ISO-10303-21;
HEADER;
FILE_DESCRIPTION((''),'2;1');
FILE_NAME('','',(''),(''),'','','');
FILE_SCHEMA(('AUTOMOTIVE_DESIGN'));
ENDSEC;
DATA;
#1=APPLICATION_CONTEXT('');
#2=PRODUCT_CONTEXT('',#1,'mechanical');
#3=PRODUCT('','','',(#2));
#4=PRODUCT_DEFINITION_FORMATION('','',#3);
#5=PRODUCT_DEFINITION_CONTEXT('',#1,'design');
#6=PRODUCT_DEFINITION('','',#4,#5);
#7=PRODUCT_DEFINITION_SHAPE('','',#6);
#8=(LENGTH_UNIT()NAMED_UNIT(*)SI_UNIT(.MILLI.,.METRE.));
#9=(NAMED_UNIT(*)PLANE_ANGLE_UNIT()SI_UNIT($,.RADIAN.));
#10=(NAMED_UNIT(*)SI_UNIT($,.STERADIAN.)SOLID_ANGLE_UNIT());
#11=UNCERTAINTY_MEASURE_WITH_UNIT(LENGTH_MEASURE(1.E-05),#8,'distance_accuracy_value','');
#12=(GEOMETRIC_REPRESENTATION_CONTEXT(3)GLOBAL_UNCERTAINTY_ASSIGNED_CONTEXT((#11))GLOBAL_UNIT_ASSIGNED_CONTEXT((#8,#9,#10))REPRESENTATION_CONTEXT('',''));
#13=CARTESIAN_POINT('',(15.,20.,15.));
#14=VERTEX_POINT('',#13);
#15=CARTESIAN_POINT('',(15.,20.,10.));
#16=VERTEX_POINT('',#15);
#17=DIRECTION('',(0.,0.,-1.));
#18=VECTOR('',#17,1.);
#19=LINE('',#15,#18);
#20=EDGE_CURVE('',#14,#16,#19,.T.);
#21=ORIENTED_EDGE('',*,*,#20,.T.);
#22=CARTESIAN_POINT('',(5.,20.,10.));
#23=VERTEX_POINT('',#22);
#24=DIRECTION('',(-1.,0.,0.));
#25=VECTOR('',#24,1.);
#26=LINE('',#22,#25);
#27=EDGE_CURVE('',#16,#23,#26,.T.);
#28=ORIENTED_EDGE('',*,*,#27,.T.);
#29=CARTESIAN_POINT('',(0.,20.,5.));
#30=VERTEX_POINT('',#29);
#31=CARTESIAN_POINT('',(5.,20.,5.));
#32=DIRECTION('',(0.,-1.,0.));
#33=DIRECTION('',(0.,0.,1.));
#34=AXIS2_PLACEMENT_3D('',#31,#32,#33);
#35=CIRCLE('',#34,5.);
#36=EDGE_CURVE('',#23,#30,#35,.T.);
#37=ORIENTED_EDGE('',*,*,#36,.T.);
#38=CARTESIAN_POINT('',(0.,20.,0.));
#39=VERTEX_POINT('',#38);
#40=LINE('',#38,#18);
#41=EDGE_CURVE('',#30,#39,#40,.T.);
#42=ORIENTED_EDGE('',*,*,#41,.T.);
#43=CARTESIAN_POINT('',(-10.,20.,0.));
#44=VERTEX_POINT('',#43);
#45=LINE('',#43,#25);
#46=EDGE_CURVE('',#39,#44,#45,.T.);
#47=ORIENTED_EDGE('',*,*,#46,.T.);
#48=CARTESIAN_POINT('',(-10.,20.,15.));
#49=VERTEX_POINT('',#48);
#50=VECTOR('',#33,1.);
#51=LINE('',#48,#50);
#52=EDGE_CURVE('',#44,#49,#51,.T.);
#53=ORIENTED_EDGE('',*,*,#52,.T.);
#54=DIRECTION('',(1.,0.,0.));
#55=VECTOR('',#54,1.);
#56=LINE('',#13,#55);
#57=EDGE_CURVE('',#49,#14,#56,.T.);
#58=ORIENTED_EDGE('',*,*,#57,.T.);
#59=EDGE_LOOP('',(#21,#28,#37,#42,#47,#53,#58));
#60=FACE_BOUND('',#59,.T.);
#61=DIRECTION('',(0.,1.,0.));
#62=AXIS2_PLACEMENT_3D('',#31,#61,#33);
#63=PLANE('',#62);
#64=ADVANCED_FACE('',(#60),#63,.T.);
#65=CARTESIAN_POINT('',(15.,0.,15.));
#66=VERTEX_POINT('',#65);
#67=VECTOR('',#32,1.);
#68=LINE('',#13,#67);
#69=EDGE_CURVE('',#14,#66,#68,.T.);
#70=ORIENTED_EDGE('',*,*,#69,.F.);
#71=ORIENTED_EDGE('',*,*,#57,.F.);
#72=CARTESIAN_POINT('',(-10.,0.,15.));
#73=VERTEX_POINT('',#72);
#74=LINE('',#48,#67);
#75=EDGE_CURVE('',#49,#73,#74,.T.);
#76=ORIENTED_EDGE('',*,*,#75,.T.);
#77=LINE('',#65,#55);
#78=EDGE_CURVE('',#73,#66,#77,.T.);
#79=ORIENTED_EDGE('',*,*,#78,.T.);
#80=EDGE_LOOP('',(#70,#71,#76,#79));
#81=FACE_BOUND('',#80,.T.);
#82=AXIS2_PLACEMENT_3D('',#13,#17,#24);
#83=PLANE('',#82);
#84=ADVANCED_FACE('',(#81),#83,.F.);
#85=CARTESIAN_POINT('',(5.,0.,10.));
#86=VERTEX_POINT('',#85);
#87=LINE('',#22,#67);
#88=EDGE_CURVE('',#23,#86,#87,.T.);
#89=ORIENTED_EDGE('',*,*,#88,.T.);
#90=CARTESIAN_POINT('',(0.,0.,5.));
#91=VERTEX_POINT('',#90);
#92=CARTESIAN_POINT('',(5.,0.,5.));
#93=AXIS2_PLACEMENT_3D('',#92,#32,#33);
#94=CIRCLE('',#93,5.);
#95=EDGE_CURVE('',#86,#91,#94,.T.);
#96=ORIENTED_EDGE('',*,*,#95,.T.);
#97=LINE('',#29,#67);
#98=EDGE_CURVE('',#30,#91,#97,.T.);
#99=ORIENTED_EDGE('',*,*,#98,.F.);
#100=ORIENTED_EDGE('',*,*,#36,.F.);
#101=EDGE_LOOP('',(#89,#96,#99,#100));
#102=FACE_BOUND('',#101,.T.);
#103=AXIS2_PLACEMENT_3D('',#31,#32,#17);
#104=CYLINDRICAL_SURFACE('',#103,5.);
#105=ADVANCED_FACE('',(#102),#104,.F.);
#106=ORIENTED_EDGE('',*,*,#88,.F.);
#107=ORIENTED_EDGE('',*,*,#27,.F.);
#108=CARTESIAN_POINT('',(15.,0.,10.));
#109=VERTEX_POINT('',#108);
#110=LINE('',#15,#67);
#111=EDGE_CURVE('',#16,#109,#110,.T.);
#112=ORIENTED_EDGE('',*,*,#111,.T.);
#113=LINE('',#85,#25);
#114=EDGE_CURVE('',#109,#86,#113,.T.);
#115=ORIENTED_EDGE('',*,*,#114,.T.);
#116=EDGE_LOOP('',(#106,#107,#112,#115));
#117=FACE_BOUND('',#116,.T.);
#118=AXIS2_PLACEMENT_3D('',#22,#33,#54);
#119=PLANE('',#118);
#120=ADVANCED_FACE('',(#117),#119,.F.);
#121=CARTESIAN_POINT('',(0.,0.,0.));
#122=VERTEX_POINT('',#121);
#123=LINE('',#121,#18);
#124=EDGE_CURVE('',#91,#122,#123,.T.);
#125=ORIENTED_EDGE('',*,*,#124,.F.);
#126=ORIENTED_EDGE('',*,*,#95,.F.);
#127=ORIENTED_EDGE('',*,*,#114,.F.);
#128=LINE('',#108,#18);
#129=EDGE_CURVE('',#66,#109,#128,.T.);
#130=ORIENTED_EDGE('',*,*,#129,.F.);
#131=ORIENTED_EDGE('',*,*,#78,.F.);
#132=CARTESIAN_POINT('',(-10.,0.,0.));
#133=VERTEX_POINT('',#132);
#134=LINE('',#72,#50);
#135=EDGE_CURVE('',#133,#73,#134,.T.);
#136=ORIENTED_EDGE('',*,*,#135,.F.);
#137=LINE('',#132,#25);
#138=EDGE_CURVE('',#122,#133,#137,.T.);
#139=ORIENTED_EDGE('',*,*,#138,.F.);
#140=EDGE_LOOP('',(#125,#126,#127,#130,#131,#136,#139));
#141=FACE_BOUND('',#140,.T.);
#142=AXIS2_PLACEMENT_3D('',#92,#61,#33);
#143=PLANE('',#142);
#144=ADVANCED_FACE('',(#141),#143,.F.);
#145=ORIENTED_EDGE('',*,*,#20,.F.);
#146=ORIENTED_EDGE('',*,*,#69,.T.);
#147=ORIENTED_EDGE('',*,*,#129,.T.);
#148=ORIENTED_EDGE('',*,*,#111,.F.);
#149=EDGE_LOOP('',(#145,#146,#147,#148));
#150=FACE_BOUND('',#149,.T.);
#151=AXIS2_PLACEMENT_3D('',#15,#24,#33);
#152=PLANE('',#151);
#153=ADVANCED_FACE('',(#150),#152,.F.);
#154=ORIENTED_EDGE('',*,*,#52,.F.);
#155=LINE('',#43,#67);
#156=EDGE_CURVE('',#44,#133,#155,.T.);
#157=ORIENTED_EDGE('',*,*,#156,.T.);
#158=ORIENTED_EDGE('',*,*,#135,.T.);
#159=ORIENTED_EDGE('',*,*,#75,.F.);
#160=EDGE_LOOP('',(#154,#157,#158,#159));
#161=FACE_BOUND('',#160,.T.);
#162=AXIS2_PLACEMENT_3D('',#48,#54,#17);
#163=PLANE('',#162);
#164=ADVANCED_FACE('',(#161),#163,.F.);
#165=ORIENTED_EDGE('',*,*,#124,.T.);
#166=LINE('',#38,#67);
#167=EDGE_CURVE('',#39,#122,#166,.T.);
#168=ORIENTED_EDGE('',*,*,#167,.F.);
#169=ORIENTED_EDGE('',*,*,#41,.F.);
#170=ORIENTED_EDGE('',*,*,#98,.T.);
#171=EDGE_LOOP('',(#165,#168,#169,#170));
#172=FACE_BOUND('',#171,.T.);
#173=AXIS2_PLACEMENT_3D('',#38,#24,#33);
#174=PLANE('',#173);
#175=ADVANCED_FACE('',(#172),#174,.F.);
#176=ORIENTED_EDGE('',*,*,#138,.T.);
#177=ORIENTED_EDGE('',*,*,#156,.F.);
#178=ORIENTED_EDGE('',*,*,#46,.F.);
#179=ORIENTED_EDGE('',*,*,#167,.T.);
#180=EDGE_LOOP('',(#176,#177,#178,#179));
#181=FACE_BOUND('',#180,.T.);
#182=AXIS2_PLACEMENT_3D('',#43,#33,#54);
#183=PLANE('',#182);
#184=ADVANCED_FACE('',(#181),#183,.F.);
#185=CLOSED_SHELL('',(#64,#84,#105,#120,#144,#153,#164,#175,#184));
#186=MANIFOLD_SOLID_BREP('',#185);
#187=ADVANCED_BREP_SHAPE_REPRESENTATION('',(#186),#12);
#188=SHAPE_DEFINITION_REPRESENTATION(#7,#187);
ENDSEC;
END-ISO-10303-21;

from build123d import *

# Parameters (mm, degrees)
BOSS_EXTRUDE1_DEPTH = 20


with BuildPart() as part:
    # Sketch2 → Boss-Extrude1 (new body)
    with BuildSketch(Plane(origin=(0, 0, 0), x_dir=(1, 0, 0), z_dir=(0, 1, 0))):
        with BuildLine():
            Line((0, 0), (0, -5))
            ThreePointArc((0, -5), (1.464466094, -8.535533906), (5, -10))
            Line((5, -10), (15, -10))
            Line((15, -10), (15, -15))
            Line((15, -15), (-10, -15))
            Line((-10, -15), (-10, 0))
            Line((-10, 0), (0, 0))
        make_face()
    extrude(amount=BOSS_EXTRUDE1_DEPTH)


solid = part.part
